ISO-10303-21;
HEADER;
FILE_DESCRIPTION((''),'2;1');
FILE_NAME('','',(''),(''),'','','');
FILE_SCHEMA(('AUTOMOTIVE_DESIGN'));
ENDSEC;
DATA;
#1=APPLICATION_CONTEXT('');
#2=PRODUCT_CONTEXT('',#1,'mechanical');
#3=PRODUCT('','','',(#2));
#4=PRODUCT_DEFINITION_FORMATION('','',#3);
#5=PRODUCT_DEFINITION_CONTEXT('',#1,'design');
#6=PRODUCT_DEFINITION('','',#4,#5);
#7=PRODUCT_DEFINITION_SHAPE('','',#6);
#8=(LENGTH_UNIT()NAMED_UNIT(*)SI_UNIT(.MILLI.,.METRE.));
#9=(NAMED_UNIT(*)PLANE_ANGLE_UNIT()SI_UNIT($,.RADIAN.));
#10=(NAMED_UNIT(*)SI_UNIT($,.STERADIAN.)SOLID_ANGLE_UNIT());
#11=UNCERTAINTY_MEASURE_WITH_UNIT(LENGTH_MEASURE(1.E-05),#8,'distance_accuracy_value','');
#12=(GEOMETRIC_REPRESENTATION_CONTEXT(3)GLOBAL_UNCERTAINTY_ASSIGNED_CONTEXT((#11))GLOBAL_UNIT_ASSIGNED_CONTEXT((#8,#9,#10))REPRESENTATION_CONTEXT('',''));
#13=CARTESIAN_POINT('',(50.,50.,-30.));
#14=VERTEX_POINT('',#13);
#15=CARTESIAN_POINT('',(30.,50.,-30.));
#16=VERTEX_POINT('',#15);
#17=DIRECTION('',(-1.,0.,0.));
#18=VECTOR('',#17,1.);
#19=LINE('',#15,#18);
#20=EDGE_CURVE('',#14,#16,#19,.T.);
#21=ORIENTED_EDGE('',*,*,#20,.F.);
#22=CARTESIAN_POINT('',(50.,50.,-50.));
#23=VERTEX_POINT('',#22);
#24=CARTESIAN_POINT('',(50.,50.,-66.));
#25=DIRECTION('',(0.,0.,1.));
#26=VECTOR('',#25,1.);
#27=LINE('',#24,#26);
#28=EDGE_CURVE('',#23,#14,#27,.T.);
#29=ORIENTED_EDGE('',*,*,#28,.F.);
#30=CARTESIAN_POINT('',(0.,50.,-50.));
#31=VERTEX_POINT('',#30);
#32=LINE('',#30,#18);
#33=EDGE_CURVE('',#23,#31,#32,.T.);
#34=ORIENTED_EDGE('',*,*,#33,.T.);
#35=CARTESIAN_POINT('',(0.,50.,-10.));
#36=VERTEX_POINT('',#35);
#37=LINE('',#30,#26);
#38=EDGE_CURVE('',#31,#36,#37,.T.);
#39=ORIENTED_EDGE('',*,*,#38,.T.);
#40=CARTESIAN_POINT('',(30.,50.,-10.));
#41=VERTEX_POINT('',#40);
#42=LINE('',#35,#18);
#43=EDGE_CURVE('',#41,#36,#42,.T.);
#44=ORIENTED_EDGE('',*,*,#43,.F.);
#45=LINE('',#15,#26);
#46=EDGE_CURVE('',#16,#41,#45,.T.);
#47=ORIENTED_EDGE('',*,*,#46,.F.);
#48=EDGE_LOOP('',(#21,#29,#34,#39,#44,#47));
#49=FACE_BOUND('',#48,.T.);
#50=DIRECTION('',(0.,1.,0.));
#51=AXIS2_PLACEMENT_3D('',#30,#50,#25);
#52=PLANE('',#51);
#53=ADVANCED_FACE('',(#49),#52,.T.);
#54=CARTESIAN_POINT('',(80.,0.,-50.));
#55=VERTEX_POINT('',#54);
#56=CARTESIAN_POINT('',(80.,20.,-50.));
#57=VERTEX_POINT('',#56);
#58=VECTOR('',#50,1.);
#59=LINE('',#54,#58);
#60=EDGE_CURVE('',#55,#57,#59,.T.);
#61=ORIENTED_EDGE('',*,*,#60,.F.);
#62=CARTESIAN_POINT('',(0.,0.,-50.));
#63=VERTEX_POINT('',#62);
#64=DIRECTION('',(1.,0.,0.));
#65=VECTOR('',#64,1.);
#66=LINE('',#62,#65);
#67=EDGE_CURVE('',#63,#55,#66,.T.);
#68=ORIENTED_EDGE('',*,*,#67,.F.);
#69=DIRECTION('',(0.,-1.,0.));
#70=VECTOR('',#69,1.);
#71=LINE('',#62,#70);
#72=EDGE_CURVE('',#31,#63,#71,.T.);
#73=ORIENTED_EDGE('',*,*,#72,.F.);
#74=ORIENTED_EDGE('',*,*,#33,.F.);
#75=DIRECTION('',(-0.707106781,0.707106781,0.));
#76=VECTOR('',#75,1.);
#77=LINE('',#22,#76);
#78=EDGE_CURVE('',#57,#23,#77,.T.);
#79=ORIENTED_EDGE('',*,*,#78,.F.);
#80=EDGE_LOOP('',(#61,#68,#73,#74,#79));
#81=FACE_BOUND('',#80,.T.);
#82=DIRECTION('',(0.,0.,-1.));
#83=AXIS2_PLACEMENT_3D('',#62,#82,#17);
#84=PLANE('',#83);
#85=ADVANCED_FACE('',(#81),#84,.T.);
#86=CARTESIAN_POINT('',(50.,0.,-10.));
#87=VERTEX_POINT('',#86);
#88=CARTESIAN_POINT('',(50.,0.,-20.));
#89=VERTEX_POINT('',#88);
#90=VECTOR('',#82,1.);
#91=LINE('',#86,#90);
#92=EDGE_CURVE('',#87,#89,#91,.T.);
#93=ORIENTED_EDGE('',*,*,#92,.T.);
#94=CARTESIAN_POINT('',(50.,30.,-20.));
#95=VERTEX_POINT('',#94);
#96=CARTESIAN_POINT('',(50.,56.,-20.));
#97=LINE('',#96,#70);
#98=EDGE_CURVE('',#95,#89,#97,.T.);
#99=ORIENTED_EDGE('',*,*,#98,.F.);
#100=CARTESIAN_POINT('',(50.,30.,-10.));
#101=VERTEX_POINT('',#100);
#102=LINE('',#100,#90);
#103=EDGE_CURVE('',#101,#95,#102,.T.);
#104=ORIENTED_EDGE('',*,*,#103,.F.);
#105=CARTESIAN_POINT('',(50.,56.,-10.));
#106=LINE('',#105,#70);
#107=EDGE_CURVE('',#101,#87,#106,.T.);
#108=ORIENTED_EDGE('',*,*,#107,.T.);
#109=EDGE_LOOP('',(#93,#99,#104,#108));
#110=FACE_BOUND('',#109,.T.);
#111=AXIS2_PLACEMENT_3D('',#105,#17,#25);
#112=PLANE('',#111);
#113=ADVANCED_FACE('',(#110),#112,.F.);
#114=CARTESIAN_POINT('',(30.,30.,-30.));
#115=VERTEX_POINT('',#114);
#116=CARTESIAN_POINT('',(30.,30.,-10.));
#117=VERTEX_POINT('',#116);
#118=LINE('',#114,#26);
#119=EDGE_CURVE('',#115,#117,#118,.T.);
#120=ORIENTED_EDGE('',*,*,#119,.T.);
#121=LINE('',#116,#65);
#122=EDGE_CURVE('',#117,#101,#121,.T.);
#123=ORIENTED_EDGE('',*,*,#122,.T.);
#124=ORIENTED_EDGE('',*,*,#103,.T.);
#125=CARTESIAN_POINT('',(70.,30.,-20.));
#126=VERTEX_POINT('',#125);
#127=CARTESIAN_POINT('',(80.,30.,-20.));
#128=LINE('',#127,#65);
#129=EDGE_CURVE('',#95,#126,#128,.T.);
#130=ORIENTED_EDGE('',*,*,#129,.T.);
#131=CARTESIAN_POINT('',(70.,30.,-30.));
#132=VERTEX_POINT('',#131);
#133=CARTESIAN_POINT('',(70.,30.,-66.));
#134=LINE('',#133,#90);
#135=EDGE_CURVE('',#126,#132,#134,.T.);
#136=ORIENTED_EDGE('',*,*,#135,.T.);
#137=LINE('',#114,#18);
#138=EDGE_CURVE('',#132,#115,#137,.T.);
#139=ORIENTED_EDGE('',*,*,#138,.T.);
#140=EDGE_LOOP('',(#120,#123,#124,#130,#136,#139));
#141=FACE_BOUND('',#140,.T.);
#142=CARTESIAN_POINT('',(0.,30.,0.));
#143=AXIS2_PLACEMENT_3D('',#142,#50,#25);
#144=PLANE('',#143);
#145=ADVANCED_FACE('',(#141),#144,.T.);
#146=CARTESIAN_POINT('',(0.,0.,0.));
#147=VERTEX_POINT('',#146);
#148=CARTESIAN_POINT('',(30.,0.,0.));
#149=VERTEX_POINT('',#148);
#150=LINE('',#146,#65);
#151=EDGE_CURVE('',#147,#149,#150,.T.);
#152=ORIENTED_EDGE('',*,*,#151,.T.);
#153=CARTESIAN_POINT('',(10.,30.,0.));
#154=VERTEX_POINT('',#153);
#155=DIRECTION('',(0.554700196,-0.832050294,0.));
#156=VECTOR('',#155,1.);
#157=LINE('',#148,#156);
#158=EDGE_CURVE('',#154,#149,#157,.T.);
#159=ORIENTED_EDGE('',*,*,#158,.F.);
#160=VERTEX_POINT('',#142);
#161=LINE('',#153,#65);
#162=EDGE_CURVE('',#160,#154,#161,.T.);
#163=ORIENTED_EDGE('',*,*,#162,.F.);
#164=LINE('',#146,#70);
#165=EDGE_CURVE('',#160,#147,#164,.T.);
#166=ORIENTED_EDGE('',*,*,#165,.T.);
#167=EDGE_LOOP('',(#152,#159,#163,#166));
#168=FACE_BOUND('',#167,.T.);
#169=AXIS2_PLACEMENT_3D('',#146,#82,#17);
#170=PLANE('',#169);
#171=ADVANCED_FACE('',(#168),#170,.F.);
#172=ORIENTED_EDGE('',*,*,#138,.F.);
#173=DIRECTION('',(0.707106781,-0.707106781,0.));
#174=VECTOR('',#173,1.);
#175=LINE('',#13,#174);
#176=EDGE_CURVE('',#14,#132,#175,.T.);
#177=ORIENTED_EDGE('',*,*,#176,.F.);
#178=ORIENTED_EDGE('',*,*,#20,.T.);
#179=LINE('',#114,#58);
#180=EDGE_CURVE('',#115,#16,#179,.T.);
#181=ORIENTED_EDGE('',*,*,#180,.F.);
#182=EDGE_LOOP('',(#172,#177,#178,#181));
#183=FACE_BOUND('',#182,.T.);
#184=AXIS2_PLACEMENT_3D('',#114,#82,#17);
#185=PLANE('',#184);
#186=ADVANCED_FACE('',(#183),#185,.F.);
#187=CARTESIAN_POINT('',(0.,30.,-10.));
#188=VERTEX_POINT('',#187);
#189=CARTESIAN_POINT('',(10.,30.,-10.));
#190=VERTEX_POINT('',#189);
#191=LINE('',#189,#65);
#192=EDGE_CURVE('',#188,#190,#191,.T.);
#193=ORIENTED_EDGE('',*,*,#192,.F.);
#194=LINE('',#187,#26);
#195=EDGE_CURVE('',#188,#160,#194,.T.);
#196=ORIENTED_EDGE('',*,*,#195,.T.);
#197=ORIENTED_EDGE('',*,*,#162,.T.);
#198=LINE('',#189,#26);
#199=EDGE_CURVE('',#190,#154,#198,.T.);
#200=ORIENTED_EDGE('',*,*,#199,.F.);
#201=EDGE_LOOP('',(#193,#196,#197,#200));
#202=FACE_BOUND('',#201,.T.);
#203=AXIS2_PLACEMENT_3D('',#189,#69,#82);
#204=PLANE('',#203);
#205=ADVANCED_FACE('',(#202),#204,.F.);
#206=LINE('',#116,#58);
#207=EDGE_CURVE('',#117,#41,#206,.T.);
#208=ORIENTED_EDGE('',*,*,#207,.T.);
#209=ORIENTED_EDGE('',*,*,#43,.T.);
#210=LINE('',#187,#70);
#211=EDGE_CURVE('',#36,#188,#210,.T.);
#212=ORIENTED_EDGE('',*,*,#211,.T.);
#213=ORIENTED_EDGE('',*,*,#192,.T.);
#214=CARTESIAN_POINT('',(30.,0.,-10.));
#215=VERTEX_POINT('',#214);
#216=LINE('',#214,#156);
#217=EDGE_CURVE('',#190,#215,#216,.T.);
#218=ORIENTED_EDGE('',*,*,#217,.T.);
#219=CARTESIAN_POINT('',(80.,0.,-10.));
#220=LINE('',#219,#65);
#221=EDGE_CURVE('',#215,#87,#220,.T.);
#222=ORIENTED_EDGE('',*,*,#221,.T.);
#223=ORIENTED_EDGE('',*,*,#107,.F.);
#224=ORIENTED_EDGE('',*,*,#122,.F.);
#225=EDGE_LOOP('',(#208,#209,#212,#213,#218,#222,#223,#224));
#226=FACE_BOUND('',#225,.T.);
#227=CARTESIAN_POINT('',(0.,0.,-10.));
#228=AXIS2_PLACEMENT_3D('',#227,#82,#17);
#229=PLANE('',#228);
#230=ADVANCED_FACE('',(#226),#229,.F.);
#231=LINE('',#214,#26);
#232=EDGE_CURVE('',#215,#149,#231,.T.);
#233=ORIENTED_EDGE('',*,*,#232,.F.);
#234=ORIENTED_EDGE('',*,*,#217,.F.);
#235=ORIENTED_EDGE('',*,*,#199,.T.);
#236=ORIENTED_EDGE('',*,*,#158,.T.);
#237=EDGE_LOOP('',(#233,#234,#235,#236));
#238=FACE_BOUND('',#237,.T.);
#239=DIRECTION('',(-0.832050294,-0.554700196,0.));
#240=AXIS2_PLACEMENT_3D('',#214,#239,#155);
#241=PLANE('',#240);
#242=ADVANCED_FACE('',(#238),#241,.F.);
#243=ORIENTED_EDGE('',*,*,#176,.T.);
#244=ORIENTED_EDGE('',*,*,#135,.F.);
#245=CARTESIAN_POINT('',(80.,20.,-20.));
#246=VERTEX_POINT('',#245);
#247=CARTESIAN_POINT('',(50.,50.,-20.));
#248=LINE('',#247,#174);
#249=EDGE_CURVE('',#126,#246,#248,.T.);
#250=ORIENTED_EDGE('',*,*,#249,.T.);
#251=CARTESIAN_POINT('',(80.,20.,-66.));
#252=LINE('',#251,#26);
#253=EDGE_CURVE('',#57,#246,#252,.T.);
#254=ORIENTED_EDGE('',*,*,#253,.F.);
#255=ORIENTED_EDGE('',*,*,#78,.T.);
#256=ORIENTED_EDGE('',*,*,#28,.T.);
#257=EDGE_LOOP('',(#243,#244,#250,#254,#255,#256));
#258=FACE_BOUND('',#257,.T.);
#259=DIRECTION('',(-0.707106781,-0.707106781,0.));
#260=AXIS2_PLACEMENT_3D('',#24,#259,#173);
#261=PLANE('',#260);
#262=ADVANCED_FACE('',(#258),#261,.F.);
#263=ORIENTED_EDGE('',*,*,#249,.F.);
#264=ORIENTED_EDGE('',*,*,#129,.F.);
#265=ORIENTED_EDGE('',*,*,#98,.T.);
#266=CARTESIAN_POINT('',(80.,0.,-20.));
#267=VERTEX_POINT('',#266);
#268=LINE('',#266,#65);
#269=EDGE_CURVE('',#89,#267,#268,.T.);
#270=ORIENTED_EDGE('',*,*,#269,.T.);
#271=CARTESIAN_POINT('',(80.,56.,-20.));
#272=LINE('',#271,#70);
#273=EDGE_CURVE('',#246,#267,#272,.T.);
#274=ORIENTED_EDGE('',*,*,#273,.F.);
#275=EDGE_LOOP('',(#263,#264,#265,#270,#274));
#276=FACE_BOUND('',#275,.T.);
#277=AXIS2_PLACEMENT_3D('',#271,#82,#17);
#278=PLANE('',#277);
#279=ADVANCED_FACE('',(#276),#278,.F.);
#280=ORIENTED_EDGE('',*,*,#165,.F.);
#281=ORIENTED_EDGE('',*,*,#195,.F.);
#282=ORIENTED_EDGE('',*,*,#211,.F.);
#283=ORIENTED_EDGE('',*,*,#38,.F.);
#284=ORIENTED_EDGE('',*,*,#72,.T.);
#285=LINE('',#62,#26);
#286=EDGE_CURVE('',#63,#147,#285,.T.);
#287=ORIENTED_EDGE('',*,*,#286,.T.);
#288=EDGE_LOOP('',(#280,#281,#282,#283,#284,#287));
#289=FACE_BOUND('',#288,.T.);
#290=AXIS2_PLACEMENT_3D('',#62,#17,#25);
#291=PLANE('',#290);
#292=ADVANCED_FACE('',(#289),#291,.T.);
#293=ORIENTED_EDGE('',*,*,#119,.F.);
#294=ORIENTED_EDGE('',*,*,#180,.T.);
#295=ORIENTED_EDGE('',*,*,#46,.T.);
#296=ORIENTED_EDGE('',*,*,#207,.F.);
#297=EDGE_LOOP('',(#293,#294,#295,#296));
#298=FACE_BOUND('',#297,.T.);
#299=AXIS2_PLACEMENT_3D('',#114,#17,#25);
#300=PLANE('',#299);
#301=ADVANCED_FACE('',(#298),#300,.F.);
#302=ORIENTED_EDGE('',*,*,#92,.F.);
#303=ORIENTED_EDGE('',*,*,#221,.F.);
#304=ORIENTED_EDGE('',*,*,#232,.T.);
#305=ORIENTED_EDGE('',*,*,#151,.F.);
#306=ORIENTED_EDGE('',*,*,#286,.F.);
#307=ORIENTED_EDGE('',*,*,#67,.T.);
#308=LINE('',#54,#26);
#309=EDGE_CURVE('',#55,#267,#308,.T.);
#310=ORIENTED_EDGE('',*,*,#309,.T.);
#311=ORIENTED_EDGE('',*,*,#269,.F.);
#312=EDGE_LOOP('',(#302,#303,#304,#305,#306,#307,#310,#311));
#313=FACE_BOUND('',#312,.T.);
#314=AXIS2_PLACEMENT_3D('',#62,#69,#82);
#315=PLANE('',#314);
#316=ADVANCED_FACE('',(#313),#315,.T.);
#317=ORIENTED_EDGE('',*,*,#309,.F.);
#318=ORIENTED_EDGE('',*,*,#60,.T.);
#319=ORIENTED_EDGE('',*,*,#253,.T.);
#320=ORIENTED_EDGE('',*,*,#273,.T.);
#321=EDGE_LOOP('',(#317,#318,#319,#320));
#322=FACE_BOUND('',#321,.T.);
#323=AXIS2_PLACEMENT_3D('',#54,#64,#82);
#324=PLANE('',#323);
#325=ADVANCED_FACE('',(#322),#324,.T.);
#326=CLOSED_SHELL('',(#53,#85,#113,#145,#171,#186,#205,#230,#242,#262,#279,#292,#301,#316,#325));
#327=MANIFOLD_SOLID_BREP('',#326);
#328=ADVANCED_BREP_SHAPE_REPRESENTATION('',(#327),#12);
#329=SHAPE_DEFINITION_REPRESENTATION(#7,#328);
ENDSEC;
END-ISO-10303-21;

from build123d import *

# Parameters (mm, degrees)
SKETCH1_W           = 80
SKETCH1_H           = 50
BOSS_EXTRUDE1_DEPTH = 50
CUT_EXTRUDE1_DEPTH  = 10
CUT_EXTRUDE2_DEPTH  = 56
SKETCH4_W           = 30
SKETCH4_H           = 10
CUT_EXTRUDE3_DEPTH  = 56
SKETCH5_W           = 82.14120513
SKETCH5_H           = 20
CUT_EXTRUDE4_DEPTH  = 20


with BuildPart() as part:
    # Sketch1 → Boss-Extrude1 (new body)
    with BuildSketch(Plane.XY):
        with Locations((40, 25)):
            Rectangle(SKETCH1_W, SKETCH1_H)
    extrude(amount=-BOSS_EXTRUDE1_DEPTH)

    # Sketch2 → Cut-Extrude1 (cut)
    with BuildSketch(Plane.XY):
        Polygon((0, 30), (0, 50), (80, 50), (80, 0), (30, 0), (10, 30), align=None)
    extrude(amount=-CUT_EXTRUDE1_DEPTH, mode=Mode.SUBTRACT)

    # Sketch3 → Cut-Extrude2 (cut)
    with BuildSketch(Plane.XY.offset(-10)):
        Polygon((50, 50), (80, 20), (80, 50), align=None)
    extrude(amount=-CUT_EXTRUDE2_DEPTH, mode=Mode.SUBTRACT)

    # Sketch4 → Cut-Extrude3 (cut)
    with BuildSketch(Plane.XZ):
        with Locations((65, -15)):
            Rectangle(SKETCH4_W, SKETCH4_H)
    extrude(amount=-CUT_EXTRUDE3_DEPTH, mode=Mode.SUBTRACT)

    # Sketch5 → Cut-Extrude4 (cut)
    with BuildSketch(Plane(origin=(0, 50, 0), x_dir=(1, 0, 0), z_dir=(0, 1, 0))):
        with Locations((71.070602565, 20)):
            Rectangle(SKETCH5_W, SKETCH5_H)
    extrude(amount=-CUT_EXTRUDE4_DEPTH, mode=Mode.SUBTRACT)


solid = part.part
